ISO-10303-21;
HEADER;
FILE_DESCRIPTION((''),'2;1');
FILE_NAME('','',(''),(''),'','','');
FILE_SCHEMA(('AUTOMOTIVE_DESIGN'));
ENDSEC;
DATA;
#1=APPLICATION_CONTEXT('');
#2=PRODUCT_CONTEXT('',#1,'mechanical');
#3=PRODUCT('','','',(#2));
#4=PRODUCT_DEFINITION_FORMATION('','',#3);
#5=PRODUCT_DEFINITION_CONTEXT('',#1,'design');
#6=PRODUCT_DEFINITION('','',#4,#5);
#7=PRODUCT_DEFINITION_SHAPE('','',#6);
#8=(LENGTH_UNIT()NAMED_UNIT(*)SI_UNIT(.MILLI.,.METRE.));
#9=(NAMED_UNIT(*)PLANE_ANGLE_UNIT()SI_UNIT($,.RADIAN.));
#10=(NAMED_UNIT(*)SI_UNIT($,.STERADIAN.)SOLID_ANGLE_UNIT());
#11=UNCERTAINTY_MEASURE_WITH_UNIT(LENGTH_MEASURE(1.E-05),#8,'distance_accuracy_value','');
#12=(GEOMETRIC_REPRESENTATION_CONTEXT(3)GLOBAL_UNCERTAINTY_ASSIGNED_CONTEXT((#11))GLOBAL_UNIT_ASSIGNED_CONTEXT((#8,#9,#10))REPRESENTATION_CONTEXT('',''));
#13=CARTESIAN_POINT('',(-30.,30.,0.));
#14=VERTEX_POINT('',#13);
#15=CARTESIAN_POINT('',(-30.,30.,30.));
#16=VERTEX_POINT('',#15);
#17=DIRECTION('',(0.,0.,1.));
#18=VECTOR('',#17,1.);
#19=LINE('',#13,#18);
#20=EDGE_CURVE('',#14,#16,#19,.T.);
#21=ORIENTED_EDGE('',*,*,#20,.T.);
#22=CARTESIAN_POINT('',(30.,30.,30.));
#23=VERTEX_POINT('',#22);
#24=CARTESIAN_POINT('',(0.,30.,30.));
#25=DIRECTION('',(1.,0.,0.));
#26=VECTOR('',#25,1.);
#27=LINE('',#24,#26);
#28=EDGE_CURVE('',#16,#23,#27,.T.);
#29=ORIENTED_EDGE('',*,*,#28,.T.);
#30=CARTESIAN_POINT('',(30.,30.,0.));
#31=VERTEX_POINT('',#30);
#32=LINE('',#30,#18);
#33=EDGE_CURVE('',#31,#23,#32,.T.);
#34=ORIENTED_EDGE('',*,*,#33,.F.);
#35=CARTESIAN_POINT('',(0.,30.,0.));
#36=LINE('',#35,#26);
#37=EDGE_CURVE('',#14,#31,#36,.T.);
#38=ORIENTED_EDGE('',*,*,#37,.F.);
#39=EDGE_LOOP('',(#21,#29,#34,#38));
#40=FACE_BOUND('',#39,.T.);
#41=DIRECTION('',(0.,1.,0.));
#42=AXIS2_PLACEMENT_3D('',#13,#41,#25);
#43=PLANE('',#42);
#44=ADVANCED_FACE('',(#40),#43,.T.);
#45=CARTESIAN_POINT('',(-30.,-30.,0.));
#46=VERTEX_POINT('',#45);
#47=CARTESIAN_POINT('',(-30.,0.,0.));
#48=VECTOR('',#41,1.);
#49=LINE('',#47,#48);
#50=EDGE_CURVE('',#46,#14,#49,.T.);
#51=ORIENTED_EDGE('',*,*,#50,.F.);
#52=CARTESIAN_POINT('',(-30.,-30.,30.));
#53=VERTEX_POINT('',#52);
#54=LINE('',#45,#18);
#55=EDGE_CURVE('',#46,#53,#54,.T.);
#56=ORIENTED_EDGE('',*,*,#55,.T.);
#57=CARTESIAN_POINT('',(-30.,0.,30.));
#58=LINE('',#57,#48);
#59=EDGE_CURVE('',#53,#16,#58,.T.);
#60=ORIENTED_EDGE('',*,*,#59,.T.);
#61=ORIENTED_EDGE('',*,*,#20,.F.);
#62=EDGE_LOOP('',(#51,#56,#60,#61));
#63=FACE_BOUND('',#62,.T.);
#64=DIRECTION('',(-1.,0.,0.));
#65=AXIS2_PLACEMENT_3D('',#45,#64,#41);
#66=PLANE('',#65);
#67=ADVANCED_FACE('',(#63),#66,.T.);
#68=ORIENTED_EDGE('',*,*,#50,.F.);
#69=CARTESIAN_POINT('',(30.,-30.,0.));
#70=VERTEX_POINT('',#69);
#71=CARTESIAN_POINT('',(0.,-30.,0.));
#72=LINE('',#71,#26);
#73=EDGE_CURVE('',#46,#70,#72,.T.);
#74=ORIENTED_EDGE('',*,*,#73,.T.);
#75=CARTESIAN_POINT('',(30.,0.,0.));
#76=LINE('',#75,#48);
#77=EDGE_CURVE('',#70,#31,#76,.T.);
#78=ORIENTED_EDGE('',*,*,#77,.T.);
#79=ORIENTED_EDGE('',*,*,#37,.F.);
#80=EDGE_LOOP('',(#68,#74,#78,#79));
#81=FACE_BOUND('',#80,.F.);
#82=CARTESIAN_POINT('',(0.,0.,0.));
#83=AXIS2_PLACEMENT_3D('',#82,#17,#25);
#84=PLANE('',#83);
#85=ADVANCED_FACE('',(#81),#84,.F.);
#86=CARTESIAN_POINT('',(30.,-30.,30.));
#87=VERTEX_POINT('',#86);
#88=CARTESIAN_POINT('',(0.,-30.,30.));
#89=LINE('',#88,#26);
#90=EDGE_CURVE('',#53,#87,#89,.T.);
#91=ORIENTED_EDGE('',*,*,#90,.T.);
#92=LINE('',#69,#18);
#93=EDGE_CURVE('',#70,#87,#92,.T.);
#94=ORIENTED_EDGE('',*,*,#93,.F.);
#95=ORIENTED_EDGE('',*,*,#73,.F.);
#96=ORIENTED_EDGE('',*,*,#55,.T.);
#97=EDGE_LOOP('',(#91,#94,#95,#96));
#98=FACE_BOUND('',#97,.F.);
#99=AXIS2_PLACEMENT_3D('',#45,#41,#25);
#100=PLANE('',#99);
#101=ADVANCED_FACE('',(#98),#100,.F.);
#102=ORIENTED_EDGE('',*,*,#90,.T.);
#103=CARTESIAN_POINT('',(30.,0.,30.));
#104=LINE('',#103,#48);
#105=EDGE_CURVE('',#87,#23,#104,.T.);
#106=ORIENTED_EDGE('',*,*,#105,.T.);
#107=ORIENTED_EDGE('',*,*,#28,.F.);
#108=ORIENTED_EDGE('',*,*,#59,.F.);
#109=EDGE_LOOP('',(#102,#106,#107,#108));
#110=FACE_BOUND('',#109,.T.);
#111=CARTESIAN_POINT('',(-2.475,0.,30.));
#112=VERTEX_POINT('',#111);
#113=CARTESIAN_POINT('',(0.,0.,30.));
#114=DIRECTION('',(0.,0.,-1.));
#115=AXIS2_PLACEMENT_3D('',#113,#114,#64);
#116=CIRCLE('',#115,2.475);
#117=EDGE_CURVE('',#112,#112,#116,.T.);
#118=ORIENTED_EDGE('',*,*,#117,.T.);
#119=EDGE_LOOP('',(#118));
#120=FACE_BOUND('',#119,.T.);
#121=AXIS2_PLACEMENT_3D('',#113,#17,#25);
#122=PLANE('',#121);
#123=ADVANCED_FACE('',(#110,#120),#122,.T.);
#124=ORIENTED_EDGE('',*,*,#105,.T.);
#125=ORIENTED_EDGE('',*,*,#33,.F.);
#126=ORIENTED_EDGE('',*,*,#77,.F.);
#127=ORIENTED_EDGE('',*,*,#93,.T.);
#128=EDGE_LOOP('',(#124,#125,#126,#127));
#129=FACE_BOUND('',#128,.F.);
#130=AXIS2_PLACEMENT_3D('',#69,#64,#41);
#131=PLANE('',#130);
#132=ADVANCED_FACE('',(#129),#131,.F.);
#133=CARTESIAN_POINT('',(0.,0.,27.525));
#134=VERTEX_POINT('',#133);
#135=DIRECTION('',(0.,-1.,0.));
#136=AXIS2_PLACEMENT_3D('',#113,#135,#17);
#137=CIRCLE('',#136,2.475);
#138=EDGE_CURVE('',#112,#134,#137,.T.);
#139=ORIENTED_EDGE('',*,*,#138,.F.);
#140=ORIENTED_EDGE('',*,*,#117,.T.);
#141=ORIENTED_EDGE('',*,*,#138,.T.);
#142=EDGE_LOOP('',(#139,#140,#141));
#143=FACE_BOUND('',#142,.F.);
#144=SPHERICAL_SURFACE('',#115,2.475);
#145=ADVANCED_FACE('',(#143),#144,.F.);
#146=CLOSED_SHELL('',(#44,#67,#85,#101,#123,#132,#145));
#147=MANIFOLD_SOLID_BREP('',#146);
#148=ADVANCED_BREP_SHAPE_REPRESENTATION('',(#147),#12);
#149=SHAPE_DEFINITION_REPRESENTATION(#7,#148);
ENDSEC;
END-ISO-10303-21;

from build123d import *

# Parameters (mm, degrees)
F0_W     = 60
F0_H     = 60
F1_DEPTH = 30


with BuildPart() as f1:
    # F0 (on Top) → F1 (new body)
    with BuildSketch(Plane.XY):
        Rectangle(F0_W, F0_H)
    extrude(amount=F1_DEPTH)

    # F2 (on Front) → F3 (revolve, cut)
    with BuildSketch(Plane.XZ):
        with BuildLine():
            Line((0, 27.525), (0, 32.475))
            ThreePointArc((0, 32.475), (-2.475, 30), (0, 27.525))
        make_face()
    revolve(axis=Axis((0, 0, 30), (0, 0, -1)), mode=Mode.SUBTRACT)


solid = f1.part
